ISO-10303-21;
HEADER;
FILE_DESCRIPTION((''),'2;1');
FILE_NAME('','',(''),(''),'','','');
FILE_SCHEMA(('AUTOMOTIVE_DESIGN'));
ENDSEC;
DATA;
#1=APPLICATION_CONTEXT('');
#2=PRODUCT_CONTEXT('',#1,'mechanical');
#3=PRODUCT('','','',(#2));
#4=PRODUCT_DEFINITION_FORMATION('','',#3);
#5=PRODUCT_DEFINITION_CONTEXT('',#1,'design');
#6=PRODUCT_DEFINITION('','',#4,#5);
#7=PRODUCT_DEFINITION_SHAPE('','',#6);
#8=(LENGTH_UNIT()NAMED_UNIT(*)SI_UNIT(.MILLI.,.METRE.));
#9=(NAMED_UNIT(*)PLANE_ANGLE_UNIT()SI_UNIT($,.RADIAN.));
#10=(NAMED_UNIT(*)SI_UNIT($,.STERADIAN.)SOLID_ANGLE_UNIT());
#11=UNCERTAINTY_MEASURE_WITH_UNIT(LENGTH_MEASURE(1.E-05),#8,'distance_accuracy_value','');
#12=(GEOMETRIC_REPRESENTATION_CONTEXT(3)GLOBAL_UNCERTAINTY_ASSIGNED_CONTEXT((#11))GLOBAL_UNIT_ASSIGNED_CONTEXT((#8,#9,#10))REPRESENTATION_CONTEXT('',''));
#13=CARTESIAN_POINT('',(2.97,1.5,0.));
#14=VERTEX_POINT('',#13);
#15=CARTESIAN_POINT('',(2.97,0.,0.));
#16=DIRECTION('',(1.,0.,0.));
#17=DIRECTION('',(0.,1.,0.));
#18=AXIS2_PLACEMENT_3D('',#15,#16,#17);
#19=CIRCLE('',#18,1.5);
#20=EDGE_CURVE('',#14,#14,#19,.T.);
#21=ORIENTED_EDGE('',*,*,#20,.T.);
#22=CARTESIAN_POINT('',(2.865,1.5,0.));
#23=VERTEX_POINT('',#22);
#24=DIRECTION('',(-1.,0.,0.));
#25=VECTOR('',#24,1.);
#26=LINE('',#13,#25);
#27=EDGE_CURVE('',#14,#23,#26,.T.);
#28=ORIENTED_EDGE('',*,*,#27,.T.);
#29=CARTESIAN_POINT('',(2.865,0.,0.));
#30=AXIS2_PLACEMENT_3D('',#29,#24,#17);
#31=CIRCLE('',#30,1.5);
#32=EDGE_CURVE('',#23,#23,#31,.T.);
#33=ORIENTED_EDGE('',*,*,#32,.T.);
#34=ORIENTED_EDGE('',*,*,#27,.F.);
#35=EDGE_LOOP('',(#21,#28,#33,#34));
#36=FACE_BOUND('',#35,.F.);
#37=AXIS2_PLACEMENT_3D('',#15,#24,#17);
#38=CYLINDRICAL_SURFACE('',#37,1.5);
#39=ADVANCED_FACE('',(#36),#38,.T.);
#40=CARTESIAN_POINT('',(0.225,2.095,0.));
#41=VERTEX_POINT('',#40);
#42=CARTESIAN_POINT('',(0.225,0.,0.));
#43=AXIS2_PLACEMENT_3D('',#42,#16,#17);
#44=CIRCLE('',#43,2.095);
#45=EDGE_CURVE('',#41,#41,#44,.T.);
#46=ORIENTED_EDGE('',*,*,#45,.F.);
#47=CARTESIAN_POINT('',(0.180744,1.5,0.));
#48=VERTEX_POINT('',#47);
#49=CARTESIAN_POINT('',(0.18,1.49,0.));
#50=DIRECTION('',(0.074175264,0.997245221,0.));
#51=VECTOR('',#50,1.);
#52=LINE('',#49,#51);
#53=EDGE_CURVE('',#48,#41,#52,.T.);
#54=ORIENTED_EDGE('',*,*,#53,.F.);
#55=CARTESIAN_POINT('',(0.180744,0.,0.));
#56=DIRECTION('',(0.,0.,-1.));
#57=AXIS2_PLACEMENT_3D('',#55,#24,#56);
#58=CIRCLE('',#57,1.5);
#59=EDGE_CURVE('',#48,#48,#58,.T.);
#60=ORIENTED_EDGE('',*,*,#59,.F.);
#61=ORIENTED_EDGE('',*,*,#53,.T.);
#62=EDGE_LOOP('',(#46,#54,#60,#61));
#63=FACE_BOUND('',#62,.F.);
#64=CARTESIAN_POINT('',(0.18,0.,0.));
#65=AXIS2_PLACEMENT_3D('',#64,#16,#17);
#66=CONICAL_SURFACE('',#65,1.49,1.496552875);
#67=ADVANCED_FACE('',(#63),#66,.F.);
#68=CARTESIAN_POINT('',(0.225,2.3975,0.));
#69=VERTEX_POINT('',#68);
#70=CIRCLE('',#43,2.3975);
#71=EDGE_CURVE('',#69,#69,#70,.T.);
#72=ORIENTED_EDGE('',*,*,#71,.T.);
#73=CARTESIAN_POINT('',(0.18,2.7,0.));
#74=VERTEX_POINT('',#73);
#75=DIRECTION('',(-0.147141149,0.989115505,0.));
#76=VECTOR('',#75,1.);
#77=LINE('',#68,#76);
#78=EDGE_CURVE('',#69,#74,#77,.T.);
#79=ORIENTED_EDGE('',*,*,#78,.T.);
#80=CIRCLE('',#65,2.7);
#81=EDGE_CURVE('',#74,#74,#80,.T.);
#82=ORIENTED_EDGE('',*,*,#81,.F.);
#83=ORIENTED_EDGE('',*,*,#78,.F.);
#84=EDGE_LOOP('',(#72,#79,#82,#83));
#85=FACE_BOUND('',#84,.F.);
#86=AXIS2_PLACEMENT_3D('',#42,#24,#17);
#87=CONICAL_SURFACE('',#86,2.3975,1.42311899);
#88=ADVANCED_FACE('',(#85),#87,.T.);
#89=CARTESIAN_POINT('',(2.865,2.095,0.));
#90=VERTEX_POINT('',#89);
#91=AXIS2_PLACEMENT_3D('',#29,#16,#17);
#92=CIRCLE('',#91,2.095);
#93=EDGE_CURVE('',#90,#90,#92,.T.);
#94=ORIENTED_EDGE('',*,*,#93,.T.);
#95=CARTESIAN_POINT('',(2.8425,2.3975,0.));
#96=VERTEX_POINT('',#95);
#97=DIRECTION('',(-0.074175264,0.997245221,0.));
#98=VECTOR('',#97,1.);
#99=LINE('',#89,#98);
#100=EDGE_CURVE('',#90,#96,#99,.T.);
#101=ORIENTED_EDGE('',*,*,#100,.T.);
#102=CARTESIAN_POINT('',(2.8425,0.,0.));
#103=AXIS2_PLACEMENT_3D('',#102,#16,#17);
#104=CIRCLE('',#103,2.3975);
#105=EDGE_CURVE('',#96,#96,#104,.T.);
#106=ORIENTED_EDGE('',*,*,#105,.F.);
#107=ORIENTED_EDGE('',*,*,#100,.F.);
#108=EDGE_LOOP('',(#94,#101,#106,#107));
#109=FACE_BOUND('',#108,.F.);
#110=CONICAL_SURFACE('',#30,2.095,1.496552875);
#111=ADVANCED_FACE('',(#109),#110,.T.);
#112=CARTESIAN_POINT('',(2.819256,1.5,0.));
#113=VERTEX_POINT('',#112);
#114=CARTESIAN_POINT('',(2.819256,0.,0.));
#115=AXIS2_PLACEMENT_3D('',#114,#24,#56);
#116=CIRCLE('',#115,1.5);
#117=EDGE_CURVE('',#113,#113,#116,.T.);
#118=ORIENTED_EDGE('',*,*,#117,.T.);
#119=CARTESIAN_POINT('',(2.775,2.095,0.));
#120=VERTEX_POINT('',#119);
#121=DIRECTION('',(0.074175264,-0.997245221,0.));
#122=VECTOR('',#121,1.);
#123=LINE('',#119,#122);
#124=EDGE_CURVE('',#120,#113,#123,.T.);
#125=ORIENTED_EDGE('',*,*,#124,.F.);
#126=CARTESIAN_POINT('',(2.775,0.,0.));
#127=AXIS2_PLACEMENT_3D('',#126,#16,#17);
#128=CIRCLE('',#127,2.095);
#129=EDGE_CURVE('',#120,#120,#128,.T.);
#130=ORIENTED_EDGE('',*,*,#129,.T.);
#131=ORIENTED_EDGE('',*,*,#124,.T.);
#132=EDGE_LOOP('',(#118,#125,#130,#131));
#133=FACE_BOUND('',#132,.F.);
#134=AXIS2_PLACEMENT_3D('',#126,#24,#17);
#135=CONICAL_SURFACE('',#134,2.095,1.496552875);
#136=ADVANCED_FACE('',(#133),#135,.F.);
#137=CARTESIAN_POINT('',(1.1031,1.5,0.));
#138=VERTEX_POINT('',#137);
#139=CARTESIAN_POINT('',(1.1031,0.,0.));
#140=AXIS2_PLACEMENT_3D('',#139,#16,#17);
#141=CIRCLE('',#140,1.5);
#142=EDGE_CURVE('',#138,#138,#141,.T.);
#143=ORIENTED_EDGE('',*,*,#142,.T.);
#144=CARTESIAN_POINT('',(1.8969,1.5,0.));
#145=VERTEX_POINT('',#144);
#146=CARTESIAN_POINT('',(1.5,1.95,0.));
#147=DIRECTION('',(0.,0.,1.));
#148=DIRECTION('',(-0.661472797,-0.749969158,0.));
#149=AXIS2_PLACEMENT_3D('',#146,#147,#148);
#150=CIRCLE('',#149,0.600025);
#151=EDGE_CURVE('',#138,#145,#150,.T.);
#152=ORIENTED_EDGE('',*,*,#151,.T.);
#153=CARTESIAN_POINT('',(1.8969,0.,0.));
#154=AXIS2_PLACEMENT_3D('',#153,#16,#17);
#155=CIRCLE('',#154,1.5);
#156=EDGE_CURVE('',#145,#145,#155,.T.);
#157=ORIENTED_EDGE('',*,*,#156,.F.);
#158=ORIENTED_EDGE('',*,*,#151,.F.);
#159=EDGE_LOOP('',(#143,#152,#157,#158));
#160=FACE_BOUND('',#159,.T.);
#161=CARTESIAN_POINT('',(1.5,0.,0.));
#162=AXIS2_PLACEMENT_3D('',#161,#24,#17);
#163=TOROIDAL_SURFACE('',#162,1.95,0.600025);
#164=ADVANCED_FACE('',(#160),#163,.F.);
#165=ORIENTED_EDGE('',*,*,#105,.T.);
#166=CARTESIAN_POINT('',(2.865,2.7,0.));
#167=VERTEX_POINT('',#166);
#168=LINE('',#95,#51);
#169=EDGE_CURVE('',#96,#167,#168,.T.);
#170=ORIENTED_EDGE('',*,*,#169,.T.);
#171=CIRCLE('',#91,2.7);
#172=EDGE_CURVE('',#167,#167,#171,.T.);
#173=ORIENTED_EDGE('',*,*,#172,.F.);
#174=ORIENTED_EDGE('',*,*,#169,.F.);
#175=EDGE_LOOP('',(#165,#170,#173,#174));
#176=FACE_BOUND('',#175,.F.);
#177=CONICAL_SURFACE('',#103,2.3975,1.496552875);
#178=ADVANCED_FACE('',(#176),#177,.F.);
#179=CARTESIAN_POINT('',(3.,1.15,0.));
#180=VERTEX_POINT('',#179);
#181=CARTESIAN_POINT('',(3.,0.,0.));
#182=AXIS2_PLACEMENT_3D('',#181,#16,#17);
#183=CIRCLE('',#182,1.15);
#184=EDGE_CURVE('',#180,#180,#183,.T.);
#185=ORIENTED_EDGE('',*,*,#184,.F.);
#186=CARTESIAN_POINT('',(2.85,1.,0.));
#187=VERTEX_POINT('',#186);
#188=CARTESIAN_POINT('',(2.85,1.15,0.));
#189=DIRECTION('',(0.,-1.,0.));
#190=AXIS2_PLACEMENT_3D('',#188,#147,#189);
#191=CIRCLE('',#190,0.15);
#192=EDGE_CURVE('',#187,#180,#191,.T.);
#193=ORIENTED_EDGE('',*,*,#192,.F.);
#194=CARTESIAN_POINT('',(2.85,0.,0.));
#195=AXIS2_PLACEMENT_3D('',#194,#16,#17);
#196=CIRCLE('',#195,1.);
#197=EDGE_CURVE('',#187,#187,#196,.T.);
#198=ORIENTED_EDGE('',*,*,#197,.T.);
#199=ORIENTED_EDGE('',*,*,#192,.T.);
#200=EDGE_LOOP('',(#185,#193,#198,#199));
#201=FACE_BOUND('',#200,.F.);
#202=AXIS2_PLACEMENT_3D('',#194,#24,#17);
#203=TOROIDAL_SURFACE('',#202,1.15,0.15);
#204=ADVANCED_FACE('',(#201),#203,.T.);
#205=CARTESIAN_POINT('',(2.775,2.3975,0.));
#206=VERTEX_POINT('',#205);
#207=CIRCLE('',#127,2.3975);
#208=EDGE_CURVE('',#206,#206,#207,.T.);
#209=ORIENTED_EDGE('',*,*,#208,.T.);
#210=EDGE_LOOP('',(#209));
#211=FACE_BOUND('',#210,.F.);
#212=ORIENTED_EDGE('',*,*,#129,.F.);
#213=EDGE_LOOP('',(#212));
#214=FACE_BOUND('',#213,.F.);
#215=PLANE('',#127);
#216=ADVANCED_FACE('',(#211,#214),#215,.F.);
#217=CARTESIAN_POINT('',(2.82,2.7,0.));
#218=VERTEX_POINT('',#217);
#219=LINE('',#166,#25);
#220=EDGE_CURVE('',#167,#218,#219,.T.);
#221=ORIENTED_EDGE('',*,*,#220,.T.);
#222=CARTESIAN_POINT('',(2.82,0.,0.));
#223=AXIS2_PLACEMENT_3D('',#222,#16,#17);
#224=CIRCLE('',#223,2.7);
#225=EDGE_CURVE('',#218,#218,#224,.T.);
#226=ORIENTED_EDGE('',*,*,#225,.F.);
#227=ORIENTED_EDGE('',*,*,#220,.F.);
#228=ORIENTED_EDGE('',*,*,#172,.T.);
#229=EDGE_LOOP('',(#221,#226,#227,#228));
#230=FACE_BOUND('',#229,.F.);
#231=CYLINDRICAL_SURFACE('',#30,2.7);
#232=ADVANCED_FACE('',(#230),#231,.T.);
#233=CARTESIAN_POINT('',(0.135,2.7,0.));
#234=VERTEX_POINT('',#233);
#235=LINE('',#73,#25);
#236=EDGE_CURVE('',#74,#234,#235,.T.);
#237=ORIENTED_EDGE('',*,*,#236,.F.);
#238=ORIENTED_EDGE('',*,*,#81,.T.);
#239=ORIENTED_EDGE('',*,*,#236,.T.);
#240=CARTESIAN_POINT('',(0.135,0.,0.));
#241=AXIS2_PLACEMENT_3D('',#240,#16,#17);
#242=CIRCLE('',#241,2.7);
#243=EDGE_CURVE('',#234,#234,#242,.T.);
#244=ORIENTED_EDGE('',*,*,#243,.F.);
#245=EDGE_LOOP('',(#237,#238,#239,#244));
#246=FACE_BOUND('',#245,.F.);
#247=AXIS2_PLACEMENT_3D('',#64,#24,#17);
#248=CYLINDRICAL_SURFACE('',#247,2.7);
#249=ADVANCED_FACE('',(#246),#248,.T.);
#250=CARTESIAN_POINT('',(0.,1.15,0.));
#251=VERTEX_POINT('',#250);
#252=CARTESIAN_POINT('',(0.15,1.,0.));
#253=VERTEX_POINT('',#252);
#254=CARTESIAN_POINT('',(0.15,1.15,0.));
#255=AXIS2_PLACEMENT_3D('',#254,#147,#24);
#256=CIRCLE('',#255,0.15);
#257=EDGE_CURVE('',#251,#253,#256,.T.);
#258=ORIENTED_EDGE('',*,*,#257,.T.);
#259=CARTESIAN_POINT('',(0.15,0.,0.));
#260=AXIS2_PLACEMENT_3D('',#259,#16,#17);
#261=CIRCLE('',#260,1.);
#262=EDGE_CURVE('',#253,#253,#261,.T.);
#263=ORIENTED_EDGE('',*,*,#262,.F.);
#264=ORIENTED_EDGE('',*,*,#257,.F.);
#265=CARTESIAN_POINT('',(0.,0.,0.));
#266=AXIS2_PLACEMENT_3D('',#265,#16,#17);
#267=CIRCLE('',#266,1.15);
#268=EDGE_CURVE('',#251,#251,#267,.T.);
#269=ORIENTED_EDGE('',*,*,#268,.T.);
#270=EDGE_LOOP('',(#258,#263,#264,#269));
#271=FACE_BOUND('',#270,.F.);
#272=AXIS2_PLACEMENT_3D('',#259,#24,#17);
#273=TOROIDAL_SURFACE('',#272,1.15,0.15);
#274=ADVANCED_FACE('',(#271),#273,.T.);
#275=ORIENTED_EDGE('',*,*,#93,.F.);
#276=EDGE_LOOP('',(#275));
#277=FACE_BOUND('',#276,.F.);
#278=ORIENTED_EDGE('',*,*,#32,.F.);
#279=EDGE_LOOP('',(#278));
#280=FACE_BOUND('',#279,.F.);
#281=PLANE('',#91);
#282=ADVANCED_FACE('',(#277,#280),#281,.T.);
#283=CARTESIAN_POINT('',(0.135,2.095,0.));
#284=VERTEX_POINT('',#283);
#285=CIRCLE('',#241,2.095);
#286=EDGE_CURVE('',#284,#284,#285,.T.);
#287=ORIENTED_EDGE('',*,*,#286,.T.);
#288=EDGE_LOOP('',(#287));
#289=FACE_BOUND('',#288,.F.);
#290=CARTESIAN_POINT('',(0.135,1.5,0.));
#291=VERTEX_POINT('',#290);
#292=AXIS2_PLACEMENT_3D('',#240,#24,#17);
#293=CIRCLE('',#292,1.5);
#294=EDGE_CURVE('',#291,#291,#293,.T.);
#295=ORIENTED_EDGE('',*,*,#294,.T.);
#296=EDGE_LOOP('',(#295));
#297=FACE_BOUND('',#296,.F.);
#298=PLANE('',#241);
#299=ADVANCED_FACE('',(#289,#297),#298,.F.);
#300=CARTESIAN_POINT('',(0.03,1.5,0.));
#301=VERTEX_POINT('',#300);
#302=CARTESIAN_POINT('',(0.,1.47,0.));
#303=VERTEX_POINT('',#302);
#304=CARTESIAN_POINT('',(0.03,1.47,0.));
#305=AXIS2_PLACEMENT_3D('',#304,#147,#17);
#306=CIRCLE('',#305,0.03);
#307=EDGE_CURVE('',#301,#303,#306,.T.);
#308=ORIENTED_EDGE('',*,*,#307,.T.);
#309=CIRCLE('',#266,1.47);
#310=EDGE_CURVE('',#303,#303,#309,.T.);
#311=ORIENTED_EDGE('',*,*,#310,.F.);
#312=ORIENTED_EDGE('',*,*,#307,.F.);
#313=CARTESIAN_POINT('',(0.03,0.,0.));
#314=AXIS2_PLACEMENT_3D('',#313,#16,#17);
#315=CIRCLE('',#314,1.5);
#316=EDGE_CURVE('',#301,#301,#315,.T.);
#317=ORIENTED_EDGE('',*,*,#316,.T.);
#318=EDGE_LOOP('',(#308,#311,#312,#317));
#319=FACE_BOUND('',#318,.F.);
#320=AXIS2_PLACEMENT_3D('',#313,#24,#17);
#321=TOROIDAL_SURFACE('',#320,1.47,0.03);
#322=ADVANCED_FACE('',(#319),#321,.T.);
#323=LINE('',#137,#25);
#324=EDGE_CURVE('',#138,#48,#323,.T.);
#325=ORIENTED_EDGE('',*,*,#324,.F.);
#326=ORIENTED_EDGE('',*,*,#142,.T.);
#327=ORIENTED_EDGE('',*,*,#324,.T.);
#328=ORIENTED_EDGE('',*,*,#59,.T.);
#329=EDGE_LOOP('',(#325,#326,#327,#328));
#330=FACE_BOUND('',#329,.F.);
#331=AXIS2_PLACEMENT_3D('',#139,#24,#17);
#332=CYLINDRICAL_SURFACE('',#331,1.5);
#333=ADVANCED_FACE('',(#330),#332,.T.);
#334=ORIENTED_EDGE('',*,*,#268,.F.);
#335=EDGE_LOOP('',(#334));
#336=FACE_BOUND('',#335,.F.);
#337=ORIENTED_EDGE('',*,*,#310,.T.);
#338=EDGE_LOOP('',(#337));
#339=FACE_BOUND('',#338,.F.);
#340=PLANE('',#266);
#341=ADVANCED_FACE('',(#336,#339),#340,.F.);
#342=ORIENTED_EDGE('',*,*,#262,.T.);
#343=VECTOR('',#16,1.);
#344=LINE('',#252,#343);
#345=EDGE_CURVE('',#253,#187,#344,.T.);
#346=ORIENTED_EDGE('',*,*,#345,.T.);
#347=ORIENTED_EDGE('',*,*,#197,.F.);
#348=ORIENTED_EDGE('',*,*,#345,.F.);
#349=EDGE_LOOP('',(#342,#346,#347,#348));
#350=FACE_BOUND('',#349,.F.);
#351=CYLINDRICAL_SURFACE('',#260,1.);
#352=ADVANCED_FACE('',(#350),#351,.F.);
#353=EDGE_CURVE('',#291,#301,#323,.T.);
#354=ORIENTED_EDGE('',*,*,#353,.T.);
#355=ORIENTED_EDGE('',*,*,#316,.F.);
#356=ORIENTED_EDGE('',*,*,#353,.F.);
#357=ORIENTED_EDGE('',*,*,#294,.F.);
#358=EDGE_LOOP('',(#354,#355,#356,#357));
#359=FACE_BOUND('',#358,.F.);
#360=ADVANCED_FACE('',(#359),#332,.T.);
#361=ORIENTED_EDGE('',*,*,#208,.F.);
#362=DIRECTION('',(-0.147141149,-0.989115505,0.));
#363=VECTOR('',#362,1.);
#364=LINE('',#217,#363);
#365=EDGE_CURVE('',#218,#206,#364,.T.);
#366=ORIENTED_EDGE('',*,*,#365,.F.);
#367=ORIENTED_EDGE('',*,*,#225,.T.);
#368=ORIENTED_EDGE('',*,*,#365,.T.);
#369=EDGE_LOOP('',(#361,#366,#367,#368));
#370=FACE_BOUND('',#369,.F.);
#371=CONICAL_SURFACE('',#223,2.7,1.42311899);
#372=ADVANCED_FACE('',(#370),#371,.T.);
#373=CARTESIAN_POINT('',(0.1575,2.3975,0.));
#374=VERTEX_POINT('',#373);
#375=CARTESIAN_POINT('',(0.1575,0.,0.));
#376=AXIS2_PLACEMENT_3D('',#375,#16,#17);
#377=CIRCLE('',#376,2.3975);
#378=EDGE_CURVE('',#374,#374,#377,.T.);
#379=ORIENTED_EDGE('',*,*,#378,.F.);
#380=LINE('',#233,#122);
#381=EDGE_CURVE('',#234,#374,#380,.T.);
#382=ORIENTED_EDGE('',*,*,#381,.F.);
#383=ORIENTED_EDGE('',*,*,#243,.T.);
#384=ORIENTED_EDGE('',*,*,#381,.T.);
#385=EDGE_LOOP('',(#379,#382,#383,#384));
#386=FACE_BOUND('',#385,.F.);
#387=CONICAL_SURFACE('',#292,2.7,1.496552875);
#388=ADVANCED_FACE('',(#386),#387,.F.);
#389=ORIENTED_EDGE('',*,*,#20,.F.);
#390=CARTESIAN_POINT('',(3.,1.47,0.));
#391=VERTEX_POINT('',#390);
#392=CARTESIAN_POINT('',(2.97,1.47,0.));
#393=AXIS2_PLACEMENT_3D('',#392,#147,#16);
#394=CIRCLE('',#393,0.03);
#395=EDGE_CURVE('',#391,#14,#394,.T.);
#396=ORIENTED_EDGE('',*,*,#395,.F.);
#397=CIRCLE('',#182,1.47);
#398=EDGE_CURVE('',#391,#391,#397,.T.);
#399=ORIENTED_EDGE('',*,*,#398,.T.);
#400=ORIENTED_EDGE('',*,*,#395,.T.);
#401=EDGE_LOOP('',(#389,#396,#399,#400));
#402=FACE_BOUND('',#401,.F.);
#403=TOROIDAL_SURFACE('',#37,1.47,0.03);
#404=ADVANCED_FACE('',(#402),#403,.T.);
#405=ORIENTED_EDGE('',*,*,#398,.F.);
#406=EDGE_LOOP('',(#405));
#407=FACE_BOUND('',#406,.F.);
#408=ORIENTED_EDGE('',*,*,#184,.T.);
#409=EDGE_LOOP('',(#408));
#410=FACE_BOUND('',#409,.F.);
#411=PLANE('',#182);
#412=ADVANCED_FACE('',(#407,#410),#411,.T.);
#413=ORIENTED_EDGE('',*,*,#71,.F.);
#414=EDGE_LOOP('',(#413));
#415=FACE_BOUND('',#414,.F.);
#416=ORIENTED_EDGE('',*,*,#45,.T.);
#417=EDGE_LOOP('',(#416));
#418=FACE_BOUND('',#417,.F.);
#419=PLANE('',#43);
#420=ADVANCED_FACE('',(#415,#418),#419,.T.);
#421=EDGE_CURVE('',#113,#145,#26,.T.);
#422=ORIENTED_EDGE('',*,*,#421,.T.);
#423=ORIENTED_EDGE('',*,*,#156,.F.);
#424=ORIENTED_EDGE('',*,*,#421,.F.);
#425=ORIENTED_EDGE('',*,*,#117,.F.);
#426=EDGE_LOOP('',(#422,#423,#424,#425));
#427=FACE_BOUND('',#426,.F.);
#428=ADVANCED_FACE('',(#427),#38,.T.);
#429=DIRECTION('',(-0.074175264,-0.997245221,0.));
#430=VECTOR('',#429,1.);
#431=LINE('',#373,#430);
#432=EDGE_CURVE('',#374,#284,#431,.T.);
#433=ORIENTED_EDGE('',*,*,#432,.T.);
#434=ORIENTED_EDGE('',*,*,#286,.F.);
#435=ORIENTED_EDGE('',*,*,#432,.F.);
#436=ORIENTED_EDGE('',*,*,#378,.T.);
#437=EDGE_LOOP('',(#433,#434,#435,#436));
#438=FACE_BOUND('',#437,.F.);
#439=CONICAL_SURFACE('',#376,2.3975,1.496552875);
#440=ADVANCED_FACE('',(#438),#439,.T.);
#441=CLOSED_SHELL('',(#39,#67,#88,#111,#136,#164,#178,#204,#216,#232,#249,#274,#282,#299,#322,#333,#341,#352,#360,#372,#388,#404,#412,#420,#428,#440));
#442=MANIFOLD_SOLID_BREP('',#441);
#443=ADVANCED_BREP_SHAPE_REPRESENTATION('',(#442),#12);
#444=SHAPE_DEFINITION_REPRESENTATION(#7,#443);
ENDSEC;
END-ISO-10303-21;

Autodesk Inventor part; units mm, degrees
ref_plane "YZ Plane" through (0, 0, 0) normal (1, 0, 0) x (0, 1, 0)
ref_plane "XZ Plane" through (0, 0, 0) normal (0, 1, 0) x (-1, 0, 0)
ref_plane "XY Plane" through (0, 0, 0) normal (0, 0, 1) x (1, 0, 0)
sketch "Sketch_17" plane through (0, 0, 0) normal (0, 0, 1) x (1, 0, 0)
  line L0 (50, 0) -> (-50, 0)
  line L1 (0, 1.47) -> (0, 1.15)
  arc A0 (0, 1.15) -> (0.15, 1) centre (0.15, 1.15) ccw
  line L2 (0.15, 1) -> (2.85, 1)
  arc A1 (2.85, 1) -> (3, 1.15) centre (2.85, 1.15) ccw
  line L3 (3, 1.15) -> (3, 1.47)
  arc A2 (3, 1.47) -> (2.97, 1.5) centre (2.97, 1.47) ccw
  line L4 (2.97, 1.5) -> (1.8969, 1.5)
  arc A3 (1.1031, 1.5) -> (1.8969, 1.5) centre (1.5, 1.95) ccw
  line L5 (1.1031, 1.5) -> (0.03, 1.5)
  arc A4 (0.03, 1.5) -> (0, 1.47) centre (0.03, 1.47) ccw
revolve "Revolution1" add sketch "Sketch_17" angle 360 about axis through (50, 0, 0) along (1, 0, 0)
sketch "Sketch_20" plane through (0, 0, 0) normal (0, 0, 1) x (1, 0, 0)
  line L0 (50, 0) -> (-50, 0)
  line L1 (0.135, 2.7) -> (0.1575, 2.3975)
  line L2 (0.1575, 2.3975) -> (0.135, 2.095)
  line L3 (0.135, 2.095) -> (0.135, 1.49)
  line L4 (0.135, 1.49) -> (0.18, 1.49)
  line L5 (0.18, 1.49) -> (0.225, 2.095)
  line L6 (0.225, 2.095) -> (0.225, 2.3975)
  line L7 (0.225, 2.3975) -> (0.18, 2.7)
  line L8 (0.18, 2.7) -> (0.135, 2.7)
revolve "Revolution2" add sketch "Sketch_20" angle 360 about axis through (50, 0, 0) along (1, 0, 0)
sketch "Sketch_21" plane through (0, 0, 0) normal (0, 0, 1) x (1, 0, 0)
  line L0 (50, 0) -> (-50, 0)
  line L1 (2.775, 2.3975) -> (2.775, 2.095)
  line L2 (2.775, 2.095) -> (2.82, 1.49)
  line L3 (2.82, 1.49) -> (2.865, 1.49)
  line L4 (2.865, 1.49) -> (2.865, 2.095)
  line L5 (2.865, 2.095) -> (2.8425, 2.3975)
  line L6 (2.8425, 2.3975) -> (2.865, 2.7)
  line L7 (2.865, 2.7) -> (2.82, 2.7)
  line L8 (2.82, 2.7) -> (2.775, 2.3975)
revolve "Revolution3" add sketch "Sketch_21" angle 360 about axis through (50, 0, 0) along (1, 0, 0)
properties part number "W 639/2-2Z_PART1"
